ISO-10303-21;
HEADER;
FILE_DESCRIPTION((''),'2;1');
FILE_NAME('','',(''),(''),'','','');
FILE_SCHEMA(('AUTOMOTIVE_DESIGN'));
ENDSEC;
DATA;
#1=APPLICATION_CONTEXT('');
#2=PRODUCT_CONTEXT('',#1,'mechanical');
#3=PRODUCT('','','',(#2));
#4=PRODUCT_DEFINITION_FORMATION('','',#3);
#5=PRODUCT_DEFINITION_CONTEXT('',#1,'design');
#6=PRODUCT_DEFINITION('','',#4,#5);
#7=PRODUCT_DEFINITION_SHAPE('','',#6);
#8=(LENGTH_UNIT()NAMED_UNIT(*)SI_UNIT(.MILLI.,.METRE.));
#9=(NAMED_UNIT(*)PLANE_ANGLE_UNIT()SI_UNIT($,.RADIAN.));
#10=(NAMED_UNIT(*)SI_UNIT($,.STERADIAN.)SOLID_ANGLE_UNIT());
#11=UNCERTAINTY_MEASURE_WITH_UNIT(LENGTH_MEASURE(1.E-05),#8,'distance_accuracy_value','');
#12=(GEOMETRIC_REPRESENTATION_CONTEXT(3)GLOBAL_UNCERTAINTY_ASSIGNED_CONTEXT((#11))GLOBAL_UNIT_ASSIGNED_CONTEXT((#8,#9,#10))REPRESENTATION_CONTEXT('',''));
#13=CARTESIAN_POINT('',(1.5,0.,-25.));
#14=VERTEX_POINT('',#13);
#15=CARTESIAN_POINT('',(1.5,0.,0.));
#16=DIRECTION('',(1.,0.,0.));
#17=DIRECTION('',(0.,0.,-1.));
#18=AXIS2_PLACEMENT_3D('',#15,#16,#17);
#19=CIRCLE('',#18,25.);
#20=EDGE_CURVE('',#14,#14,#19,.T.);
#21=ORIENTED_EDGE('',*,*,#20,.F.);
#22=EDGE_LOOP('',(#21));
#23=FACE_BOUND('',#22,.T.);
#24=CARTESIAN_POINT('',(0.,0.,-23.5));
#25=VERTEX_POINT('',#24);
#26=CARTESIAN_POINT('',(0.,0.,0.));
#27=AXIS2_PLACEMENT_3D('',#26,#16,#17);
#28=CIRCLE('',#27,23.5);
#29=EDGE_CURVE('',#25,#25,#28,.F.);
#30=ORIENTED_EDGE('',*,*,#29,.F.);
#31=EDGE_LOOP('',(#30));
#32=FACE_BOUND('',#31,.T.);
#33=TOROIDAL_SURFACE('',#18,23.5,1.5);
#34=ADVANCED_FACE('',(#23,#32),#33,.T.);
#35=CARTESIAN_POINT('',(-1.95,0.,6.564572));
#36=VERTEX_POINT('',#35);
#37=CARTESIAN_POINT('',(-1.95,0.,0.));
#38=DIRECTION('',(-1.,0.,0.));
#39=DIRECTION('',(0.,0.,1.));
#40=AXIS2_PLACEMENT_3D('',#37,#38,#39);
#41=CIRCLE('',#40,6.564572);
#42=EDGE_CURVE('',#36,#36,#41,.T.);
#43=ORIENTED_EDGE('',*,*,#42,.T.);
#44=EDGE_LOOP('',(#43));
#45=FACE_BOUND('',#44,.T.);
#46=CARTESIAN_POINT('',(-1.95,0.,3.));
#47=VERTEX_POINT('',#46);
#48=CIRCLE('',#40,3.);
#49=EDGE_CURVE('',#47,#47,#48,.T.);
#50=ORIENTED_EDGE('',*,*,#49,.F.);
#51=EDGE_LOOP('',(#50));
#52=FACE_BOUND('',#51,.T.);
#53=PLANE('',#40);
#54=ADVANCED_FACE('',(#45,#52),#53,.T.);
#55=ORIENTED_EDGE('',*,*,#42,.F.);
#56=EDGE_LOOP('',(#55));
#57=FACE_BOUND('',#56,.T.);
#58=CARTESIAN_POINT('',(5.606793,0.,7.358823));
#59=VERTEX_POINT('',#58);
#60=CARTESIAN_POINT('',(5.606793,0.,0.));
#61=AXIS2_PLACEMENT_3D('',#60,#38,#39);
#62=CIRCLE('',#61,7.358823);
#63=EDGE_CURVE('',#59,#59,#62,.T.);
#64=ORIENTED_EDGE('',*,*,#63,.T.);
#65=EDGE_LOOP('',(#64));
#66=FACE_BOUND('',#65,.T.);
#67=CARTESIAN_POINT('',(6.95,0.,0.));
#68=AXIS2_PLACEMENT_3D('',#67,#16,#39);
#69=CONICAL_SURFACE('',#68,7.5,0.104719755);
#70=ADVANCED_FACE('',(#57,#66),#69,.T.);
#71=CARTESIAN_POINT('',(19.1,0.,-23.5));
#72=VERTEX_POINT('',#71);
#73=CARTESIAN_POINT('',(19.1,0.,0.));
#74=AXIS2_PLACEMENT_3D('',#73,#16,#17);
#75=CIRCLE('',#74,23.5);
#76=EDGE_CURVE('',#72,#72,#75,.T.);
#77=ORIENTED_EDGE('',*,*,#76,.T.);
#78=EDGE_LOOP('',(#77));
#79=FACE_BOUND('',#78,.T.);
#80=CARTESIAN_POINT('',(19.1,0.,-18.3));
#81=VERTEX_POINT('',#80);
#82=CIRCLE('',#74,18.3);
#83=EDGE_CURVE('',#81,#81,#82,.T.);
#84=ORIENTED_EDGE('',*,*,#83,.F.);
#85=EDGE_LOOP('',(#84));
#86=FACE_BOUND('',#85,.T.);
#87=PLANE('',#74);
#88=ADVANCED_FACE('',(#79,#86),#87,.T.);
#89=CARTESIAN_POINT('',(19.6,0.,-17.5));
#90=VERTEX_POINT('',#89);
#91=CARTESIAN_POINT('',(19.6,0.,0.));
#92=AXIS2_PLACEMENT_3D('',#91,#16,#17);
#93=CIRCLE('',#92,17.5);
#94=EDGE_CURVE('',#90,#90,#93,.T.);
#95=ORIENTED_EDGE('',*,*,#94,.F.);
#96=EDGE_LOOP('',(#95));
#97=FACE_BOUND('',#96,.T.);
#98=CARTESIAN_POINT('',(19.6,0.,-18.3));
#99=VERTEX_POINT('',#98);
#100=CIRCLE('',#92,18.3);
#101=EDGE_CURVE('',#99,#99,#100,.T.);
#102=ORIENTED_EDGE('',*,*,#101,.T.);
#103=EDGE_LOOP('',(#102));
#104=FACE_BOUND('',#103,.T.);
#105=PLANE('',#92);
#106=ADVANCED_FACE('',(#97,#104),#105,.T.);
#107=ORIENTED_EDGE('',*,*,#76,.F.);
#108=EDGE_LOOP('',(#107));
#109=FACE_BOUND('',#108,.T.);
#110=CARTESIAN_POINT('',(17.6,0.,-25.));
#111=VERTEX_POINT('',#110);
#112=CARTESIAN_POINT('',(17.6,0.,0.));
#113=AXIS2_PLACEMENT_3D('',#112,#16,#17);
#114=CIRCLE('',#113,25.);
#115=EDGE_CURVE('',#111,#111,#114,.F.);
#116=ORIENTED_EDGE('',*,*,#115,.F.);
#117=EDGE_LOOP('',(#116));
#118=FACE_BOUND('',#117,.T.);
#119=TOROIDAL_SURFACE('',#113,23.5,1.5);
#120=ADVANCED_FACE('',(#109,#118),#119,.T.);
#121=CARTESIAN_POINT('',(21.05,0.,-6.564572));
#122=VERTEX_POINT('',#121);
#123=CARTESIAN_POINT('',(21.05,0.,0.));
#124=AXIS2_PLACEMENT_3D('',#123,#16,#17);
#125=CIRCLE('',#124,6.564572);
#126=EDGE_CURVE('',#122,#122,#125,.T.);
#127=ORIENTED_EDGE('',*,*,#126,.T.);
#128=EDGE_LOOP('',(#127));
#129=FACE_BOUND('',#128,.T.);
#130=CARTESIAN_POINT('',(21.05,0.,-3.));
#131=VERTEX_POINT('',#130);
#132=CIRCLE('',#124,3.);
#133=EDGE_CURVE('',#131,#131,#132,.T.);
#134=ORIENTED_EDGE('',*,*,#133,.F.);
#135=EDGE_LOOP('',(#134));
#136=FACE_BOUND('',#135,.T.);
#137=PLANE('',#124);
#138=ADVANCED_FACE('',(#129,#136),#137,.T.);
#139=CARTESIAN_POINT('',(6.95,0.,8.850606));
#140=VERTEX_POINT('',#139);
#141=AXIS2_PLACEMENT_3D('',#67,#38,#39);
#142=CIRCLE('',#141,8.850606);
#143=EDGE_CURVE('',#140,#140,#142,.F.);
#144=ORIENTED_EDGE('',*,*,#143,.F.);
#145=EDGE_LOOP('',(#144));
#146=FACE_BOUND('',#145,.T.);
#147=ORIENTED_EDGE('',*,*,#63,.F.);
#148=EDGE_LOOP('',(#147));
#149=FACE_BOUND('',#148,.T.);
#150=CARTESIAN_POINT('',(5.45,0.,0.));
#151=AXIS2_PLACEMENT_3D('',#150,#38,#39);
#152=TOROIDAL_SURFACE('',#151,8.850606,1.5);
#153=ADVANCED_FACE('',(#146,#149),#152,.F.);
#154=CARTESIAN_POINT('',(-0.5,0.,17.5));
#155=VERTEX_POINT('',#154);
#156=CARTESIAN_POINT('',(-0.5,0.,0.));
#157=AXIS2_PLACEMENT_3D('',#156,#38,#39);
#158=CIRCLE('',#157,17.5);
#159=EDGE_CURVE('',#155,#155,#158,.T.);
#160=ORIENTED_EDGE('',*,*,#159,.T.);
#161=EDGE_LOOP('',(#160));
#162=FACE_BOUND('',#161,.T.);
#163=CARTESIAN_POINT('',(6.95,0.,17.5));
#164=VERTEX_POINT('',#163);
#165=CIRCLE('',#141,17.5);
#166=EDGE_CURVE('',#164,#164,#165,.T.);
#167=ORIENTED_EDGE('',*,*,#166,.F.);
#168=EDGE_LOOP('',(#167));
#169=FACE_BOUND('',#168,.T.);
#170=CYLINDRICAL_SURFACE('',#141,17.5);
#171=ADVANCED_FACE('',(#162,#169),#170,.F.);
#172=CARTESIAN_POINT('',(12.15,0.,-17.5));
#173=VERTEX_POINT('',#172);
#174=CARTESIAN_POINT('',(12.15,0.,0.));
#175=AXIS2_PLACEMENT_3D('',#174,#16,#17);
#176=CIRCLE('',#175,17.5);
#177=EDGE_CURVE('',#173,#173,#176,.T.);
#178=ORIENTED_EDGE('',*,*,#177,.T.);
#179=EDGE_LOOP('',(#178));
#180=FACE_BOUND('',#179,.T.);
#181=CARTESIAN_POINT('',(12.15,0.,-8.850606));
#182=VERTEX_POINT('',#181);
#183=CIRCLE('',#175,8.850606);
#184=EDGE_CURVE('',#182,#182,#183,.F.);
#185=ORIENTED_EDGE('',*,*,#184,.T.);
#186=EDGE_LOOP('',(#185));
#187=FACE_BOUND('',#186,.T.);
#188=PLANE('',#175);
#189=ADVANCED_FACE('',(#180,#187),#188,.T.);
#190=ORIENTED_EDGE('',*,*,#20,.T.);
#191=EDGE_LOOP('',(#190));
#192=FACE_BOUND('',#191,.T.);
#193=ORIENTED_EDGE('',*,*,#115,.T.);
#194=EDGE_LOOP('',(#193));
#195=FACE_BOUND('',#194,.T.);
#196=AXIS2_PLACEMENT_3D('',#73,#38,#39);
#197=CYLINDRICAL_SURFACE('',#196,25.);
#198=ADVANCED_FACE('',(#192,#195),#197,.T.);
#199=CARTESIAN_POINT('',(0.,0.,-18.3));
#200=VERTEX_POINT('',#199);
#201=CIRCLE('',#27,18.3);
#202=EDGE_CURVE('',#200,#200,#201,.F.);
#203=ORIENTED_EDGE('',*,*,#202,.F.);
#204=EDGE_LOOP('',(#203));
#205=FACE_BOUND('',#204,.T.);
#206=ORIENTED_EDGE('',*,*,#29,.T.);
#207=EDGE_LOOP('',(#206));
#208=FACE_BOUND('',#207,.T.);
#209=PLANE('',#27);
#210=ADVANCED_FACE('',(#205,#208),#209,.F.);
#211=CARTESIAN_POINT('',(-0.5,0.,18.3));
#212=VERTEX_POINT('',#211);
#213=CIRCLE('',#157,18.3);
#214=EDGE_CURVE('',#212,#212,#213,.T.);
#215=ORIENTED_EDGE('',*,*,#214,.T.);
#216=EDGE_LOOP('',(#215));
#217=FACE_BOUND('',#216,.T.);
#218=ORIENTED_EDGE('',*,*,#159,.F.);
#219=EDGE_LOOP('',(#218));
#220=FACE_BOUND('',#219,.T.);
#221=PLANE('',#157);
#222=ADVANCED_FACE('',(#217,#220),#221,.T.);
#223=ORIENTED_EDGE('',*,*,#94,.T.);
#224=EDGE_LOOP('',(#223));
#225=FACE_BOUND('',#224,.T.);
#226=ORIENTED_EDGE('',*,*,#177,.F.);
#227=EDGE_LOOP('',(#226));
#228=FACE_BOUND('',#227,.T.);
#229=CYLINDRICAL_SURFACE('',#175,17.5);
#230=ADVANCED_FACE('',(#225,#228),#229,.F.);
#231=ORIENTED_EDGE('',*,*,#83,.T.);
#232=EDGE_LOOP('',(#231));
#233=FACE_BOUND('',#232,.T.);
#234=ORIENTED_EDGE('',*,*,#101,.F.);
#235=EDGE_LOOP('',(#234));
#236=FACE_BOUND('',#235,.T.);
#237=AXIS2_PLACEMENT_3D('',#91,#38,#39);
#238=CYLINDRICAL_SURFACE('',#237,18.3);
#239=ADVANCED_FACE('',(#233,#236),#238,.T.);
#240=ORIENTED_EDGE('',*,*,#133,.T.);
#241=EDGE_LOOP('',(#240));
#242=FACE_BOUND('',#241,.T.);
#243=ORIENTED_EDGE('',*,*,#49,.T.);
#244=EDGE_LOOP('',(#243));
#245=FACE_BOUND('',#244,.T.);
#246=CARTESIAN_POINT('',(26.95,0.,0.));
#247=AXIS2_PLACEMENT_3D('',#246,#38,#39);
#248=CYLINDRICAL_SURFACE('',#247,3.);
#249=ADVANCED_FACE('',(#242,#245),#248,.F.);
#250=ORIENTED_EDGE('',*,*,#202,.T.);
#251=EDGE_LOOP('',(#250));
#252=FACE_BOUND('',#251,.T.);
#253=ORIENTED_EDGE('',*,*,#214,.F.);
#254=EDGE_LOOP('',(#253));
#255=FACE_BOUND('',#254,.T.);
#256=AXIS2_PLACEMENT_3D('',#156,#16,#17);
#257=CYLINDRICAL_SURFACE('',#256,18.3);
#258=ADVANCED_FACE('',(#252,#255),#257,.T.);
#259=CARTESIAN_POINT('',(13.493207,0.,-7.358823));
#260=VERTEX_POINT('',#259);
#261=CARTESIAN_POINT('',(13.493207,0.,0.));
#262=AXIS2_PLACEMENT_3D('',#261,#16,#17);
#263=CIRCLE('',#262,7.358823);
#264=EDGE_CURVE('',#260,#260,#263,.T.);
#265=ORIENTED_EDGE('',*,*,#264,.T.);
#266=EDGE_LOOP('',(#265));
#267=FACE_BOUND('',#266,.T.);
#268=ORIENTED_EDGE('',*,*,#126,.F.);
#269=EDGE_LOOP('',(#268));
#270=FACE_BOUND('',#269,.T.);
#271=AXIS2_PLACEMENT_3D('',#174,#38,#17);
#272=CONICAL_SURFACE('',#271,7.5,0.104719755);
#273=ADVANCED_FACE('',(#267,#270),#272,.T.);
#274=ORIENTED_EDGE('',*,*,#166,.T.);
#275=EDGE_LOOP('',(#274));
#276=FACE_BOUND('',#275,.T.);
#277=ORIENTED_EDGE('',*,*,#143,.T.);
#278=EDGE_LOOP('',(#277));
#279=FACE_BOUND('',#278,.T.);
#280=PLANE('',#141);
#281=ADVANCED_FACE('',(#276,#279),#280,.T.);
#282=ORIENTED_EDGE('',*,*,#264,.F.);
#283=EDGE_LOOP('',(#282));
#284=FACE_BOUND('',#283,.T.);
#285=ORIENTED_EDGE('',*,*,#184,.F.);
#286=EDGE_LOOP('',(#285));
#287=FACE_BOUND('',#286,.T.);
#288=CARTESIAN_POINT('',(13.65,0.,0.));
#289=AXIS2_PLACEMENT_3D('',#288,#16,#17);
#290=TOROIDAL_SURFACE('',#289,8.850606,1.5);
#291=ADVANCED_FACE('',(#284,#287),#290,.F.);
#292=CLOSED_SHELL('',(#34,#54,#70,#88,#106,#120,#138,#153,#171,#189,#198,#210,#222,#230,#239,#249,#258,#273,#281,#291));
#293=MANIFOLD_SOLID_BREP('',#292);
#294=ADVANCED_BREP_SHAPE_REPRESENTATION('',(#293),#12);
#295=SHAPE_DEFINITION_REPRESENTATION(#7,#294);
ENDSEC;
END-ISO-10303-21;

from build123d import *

# Parameters (mm, degrees)
ESQUISSE1_R             = 25
BOSS_EXTRU_1_DEPTH      = 19.1
ESQUISSE2_R             = 18.3
BOSS_EXTRU_2_DEPTH      = 0.5
CONG_1_R                = 1.5
ESQUISSE3_R             = 18.3
BOSS_EXTRU_3_DEPTH      = 0.5
ESQUISSE4_R             = 17.5
ENL_V_MAT_EXTRU_1_DEPTH = 7.45
ESQUISSE5_R             = 17.5
ENL_V_MAT_EXTRU_2_DEPTH = 7.45
ESQUISSE6_R             = 7.5
BOSS_EXTRU_4_DEPTH      = 8.9
BOSS_EXTRU_4_TAPER      = 6
CONG_2_R                = 1.5
ESQUISSE7_R             = 7.5
BOSS_EXTRU_5_DEPTH      = 8.9
BOSS_EXTRU_5_TAPER      = 6
CONG_3_R                = 1.5
ESQUISSE8_R             = 3
ENL_V_MAT_EXTRU_3_DEPTH = 28.9


with BuildPart() as part:
    # Esquisse1 → Boss.-Extru.1 (new body)
    with BuildSketch(Plane(origin=(0, 0, 0), x_dir=(0, 0, -1), z_dir=(1, 0, 0))):
        Circle(ESQUISSE1_R)
    extrude(amount=BOSS_EXTRU_1_DEPTH)

    # Esquisse2 → Boss.-Extru.2 (add)
    with BuildSketch(Plane(origin=(19.1, 0, 0), x_dir=(0, 0, -1), z_dir=(1, 0, 0))):
        Circle(ESQUISSE2_R)
    extrude(amount=BOSS_EXTRU_2_DEPTH)

    # Congé1
    cong_1_edges = [part.edges().sort_by_distance(p)[0] for p in [
        (0, 0, 25),
        (19.1, 0, 25),
    ]]
    fillet(cong_1_edges, radius=CONG_1_R)

    # Esquisse3 → Boss.-Extru.3 (add)
    with BuildSketch(Plane.ZY):
        Circle(ESQUISSE3_R)
    extrude(amount=BOSS_EXTRU_3_DEPTH)

    # Esquisse4 → Enlèv. mat.-Extru.1 (cut)
    with BuildSketch(Plane.ZY.offset(0.5)):
        Circle(ESQUISSE4_R)
    extrude(amount=-ENL_V_MAT_EXTRU_1_DEPTH, mode=Mode.SUBTRACT)

    # Esquisse5 → Enlèv. mat.-Extru.2 (cut)
    with BuildSketch(Plane(origin=(19.6, 0, 0), x_dir=(0, 0, -1), z_dir=(1, 0, 0))):
        Circle(ESQUISSE5_R)
    extrude(amount=-ENL_V_MAT_EXTRU_2_DEPTH, mode=Mode.SUBTRACT)

    # Esquisse6 → Boss.-Extru.4 (add)
    with BuildSketch(Plane(origin=(12.15, 0, 0), x_dir=(0, 0, -1), z_dir=(1, 0, 0))):
        Circle(ESQUISSE6_R)
    extrude(amount=BOSS_EXTRU_4_DEPTH, taper=BOSS_EXTRU_4_TAPER)

    # Congé2
    cong_2_edges = [part.edges().sort_by_distance(p)[0] for p in [
        (12.15, 0, 7.5),
    ]]
    fillet(cong_2_edges, radius=CONG_2_R)

    # Esquisse7 → Boss.-Extru.5 (add)
    with BuildSketch(Plane.ZY.offset(-6.95)):
        Circle(ESQUISSE7_R)
    extrude(amount=BOSS_EXTRU_5_DEPTH, taper=BOSS_EXTRU_5_TAPER)

    # Congé3
    cong_3_edges = [part.edges().sort_by_distance(p)[0] for p in [
        (6.95, 0, -7.5),
    ]]
    fillet(cong_3_edges, radius=CONG_3_R)

    # Esquisse8 → Enlèv. mat.-Extru.3 (cut)
    with BuildSketch(Plane.ZY.offset(1.95)):
        Circle(ESQUISSE8_R)
    extrude(amount=-ENL_V_MAT_EXTRU_3_DEPTH, mode=Mode.SUBTRACT)


solid = part.part
